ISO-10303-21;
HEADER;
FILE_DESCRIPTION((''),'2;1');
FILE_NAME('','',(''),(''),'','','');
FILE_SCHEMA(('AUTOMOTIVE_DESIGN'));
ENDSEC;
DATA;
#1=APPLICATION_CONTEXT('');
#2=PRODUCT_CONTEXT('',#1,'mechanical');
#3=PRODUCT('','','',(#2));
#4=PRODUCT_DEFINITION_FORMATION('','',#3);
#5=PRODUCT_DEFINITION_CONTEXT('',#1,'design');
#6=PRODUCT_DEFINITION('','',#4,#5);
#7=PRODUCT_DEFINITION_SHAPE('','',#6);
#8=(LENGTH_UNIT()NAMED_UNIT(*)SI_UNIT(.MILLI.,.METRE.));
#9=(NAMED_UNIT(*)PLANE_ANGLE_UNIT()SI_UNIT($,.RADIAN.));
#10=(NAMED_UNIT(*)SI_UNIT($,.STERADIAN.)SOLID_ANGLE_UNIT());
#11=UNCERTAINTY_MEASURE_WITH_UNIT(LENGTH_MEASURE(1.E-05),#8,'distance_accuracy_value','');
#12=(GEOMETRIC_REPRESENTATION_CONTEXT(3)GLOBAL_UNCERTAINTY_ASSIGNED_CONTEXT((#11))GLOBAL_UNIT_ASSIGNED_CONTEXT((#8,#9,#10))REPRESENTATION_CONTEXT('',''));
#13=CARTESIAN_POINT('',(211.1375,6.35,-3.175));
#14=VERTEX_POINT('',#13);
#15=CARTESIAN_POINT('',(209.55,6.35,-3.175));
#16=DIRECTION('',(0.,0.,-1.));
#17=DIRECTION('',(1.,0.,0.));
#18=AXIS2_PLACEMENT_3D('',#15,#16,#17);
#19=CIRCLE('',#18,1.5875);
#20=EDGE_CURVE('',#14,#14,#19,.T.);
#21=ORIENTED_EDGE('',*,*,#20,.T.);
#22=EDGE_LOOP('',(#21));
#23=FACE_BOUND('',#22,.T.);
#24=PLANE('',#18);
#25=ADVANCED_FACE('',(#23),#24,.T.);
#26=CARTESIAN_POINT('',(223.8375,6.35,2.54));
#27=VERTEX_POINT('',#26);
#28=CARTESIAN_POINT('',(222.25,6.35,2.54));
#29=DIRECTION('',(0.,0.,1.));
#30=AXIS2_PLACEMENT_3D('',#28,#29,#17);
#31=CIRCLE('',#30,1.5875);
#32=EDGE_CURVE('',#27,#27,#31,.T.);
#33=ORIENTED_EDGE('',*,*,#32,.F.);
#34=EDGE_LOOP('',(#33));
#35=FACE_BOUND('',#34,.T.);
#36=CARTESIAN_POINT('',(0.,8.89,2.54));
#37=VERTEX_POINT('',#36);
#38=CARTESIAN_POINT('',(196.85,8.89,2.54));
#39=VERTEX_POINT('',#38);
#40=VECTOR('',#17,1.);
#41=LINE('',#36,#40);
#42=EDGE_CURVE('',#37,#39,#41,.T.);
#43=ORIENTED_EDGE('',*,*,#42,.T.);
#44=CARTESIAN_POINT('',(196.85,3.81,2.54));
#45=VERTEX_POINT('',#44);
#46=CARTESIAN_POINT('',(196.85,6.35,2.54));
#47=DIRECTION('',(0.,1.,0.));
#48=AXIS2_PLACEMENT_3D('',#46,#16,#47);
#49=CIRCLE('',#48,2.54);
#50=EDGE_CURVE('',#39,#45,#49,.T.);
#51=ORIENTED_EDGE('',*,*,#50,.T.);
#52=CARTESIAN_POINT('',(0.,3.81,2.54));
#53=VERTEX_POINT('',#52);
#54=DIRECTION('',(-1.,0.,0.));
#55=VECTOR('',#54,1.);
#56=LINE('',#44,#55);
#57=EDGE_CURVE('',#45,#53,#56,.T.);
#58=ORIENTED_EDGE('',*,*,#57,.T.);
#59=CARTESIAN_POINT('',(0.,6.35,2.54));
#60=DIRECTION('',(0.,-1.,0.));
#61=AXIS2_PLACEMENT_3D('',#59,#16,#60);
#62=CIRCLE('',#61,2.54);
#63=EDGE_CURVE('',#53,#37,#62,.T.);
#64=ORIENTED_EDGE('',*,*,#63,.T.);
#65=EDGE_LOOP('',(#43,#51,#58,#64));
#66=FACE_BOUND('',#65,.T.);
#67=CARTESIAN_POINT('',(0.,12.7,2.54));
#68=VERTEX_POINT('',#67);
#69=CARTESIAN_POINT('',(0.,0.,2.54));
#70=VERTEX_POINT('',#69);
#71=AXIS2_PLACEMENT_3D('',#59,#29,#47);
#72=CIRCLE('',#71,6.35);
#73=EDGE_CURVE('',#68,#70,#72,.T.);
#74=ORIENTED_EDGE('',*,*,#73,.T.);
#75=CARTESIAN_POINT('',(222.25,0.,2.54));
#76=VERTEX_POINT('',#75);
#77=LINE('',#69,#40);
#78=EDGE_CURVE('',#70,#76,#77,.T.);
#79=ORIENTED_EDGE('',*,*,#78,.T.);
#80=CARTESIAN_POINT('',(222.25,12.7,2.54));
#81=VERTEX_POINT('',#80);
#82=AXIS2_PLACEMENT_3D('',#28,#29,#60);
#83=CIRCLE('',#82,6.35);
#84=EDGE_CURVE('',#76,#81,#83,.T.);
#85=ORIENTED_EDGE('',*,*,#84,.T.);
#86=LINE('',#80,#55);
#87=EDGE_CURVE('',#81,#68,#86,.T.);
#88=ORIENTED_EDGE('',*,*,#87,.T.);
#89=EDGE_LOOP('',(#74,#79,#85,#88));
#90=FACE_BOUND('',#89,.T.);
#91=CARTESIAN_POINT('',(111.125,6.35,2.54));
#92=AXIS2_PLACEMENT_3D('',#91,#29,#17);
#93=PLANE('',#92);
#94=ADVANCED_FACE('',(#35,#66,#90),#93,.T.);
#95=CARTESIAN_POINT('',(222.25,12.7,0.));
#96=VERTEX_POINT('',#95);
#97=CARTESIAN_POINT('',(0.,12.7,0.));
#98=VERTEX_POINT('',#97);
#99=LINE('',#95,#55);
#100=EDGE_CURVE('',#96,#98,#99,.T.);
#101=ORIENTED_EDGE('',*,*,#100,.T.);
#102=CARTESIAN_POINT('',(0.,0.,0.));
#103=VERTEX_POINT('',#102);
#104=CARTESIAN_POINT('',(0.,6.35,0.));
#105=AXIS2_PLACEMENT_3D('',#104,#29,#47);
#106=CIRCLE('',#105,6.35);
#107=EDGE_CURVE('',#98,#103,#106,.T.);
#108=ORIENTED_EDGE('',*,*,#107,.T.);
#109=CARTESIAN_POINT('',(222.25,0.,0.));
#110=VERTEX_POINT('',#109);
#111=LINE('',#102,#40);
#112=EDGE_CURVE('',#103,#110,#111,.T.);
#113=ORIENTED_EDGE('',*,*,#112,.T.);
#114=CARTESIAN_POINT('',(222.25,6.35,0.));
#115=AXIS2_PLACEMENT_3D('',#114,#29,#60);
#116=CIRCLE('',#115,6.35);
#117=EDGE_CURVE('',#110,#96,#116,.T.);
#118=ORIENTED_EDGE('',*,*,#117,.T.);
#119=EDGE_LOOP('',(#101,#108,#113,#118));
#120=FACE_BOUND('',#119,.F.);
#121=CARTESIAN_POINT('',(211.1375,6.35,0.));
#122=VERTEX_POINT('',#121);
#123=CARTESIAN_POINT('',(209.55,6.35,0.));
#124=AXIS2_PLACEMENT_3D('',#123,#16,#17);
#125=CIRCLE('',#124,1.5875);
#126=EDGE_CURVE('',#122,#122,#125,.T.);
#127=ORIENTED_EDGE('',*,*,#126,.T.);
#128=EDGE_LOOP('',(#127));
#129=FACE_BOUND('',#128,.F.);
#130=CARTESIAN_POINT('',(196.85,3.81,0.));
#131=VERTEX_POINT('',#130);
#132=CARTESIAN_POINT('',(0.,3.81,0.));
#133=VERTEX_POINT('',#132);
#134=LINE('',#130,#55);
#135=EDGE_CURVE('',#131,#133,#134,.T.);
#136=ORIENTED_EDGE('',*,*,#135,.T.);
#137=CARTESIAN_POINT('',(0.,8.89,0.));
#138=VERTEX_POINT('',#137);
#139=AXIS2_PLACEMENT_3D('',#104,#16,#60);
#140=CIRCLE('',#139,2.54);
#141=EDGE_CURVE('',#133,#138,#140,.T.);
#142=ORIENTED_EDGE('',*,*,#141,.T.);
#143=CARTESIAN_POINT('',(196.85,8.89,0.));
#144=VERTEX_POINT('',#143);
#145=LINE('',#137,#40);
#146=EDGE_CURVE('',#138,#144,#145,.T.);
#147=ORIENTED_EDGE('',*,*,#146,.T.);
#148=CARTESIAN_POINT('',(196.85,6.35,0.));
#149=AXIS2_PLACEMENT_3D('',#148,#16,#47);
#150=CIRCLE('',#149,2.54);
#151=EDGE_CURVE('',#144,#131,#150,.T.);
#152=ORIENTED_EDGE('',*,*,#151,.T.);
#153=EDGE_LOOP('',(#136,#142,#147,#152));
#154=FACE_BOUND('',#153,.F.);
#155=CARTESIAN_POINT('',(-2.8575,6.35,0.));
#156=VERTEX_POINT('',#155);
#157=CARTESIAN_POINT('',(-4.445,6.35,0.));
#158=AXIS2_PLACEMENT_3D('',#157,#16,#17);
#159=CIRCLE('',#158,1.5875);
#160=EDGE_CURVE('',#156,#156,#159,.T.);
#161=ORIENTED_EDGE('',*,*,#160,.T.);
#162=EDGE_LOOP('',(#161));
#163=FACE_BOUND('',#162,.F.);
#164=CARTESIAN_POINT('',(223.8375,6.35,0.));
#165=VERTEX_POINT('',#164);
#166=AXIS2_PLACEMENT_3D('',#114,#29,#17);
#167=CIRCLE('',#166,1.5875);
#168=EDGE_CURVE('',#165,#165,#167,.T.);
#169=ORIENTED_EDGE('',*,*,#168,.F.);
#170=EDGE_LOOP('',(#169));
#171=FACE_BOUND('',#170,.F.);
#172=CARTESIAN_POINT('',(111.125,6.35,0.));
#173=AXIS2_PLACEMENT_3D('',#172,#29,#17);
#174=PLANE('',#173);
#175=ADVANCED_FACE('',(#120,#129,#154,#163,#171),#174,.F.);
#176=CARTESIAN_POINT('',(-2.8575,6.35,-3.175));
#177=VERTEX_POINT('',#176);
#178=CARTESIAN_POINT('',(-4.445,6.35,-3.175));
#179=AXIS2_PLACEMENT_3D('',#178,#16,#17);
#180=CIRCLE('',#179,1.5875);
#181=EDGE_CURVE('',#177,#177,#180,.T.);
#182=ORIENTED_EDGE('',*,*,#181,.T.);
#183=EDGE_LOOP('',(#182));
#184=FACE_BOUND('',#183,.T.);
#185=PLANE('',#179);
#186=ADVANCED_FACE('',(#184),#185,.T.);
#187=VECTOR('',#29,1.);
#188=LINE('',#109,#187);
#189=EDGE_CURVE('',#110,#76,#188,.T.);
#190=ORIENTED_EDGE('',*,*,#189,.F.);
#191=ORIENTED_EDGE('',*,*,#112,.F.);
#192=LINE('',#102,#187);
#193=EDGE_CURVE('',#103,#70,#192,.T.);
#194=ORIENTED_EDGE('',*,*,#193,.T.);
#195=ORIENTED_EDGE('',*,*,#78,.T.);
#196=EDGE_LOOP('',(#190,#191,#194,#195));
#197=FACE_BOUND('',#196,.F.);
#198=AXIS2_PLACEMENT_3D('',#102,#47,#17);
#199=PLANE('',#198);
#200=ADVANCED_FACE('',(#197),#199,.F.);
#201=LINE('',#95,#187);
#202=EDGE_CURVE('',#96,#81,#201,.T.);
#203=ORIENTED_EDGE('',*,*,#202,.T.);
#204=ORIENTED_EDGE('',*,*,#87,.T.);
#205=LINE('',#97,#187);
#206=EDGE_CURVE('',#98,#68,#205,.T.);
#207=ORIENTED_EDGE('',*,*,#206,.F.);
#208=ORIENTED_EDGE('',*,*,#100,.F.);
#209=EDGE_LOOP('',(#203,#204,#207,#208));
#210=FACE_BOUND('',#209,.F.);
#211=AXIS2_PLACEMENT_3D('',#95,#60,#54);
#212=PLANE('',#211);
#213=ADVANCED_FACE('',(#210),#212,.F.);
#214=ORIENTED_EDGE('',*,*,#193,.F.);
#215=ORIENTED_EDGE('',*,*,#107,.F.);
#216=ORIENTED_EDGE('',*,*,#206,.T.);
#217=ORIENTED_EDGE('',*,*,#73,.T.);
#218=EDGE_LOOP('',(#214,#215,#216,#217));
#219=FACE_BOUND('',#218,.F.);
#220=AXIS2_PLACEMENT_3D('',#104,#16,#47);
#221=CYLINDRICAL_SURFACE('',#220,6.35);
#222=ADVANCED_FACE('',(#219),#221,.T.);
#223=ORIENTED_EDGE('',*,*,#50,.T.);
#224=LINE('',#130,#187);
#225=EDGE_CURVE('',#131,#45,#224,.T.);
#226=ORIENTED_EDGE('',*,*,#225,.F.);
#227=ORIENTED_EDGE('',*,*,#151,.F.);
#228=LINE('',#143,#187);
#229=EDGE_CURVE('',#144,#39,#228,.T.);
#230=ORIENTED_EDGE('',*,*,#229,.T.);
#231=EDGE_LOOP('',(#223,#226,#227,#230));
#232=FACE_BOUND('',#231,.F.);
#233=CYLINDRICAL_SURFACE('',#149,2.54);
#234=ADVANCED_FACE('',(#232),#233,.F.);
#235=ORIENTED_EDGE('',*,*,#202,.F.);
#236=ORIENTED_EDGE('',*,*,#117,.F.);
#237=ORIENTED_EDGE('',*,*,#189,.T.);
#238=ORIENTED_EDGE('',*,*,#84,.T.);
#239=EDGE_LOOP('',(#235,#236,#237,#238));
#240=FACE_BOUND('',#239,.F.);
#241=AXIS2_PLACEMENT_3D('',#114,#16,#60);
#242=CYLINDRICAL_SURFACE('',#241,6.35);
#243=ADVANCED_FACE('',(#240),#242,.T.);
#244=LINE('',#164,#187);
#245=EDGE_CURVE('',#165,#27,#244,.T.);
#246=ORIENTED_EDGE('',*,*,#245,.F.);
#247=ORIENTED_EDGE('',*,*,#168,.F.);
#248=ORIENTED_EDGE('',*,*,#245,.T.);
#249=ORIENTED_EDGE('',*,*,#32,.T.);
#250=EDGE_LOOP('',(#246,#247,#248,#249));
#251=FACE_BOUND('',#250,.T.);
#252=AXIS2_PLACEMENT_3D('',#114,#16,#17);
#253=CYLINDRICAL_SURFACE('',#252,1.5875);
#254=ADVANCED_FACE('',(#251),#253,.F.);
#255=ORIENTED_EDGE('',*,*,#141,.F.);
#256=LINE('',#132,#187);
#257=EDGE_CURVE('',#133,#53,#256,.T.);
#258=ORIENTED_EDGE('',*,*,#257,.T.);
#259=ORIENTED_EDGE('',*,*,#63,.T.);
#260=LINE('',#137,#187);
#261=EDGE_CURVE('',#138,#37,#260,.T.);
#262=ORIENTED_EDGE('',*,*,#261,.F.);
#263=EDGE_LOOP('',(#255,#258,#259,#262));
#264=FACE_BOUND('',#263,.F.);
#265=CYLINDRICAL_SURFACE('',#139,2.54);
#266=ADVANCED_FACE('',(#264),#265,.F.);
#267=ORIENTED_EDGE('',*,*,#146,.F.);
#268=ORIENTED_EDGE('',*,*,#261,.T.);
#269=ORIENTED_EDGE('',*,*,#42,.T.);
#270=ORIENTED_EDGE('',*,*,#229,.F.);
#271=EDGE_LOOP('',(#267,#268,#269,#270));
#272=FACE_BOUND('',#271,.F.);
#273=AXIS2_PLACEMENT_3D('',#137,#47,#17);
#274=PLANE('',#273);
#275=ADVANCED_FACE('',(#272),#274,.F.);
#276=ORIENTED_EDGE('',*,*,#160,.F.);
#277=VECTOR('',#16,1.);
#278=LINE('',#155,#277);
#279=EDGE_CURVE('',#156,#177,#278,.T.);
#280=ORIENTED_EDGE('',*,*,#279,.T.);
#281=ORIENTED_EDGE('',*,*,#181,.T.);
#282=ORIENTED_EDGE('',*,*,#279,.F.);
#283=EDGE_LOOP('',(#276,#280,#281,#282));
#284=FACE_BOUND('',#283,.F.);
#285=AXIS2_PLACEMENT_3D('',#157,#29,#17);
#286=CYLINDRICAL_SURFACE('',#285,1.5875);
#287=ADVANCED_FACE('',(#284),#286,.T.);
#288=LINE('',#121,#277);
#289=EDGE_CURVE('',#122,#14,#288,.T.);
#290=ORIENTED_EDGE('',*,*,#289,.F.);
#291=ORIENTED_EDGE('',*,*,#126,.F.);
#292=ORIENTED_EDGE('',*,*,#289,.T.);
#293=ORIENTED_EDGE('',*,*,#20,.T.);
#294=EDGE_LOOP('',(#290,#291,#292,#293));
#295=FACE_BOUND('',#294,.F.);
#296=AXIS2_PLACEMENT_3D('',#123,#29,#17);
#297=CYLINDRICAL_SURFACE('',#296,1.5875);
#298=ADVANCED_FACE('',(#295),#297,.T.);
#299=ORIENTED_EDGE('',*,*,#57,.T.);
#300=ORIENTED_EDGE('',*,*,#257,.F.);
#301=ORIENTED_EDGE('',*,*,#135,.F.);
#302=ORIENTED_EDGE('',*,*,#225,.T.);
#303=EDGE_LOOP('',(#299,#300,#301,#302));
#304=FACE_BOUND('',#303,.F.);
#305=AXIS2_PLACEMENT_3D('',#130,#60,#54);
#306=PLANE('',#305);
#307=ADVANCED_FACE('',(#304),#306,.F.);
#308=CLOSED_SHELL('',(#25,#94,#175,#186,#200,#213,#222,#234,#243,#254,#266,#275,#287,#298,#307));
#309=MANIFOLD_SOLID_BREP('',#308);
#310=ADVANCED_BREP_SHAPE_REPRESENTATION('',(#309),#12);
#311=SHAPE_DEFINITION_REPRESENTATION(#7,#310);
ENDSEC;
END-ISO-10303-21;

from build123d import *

# Parameters (mm, degrees)
F0_R     = 1.5875
F1_DEPTH = 2.54
F2_R     = 1.5875
F3_DEPTH = 3.175


with BuildPart() as f1:
    # F0 (on Top) → F1 (new body)
    with BuildSketch(Plane.XY):
        with BuildLine():
            ThreePointArc((0, 12.7), (-6.35, 6.35), (0, 0))
            Line((0, 0), (222.25, 0))
            ThreePointArc((222.25, 0), (228.6, 6.35), (222.25, 12.7))
            Line((222.25, 12.7), (0, 12.7))
        make_face()
        with BuildLine():
            Line((196.85, 3.81), (0, 3.81))
            ThreePointArc((0, 3.81), (-2.54, 6.35), (0, 8.89))
            Line((0, 8.89), (196.85, 8.89))
            ThreePointArc((196.85, 8.89), (199.39, 6.35), (196.85, 3.81))
        make_face(mode=Mode.SUBTRACT)
        with Locations((222.25, 6.35)):
            Circle(F0_R, mode=Mode.SUBTRACT)
    extrude(amount=F1_DEPTH)

    # F2 (on face) → F3 (join)
    with BuildSketch(Plane(origin=(0, 0, 0), x_dir=(1, 0, 0), z_dir=(0, 0, -1))):
        with Locations((209.55, -6.35)):
            Circle(F2_R)
        with Locations((-4.445, -6.35)):
            Circle(F2_R)
    extrude(amount=F3_DEPTH)


solid = f1.part
